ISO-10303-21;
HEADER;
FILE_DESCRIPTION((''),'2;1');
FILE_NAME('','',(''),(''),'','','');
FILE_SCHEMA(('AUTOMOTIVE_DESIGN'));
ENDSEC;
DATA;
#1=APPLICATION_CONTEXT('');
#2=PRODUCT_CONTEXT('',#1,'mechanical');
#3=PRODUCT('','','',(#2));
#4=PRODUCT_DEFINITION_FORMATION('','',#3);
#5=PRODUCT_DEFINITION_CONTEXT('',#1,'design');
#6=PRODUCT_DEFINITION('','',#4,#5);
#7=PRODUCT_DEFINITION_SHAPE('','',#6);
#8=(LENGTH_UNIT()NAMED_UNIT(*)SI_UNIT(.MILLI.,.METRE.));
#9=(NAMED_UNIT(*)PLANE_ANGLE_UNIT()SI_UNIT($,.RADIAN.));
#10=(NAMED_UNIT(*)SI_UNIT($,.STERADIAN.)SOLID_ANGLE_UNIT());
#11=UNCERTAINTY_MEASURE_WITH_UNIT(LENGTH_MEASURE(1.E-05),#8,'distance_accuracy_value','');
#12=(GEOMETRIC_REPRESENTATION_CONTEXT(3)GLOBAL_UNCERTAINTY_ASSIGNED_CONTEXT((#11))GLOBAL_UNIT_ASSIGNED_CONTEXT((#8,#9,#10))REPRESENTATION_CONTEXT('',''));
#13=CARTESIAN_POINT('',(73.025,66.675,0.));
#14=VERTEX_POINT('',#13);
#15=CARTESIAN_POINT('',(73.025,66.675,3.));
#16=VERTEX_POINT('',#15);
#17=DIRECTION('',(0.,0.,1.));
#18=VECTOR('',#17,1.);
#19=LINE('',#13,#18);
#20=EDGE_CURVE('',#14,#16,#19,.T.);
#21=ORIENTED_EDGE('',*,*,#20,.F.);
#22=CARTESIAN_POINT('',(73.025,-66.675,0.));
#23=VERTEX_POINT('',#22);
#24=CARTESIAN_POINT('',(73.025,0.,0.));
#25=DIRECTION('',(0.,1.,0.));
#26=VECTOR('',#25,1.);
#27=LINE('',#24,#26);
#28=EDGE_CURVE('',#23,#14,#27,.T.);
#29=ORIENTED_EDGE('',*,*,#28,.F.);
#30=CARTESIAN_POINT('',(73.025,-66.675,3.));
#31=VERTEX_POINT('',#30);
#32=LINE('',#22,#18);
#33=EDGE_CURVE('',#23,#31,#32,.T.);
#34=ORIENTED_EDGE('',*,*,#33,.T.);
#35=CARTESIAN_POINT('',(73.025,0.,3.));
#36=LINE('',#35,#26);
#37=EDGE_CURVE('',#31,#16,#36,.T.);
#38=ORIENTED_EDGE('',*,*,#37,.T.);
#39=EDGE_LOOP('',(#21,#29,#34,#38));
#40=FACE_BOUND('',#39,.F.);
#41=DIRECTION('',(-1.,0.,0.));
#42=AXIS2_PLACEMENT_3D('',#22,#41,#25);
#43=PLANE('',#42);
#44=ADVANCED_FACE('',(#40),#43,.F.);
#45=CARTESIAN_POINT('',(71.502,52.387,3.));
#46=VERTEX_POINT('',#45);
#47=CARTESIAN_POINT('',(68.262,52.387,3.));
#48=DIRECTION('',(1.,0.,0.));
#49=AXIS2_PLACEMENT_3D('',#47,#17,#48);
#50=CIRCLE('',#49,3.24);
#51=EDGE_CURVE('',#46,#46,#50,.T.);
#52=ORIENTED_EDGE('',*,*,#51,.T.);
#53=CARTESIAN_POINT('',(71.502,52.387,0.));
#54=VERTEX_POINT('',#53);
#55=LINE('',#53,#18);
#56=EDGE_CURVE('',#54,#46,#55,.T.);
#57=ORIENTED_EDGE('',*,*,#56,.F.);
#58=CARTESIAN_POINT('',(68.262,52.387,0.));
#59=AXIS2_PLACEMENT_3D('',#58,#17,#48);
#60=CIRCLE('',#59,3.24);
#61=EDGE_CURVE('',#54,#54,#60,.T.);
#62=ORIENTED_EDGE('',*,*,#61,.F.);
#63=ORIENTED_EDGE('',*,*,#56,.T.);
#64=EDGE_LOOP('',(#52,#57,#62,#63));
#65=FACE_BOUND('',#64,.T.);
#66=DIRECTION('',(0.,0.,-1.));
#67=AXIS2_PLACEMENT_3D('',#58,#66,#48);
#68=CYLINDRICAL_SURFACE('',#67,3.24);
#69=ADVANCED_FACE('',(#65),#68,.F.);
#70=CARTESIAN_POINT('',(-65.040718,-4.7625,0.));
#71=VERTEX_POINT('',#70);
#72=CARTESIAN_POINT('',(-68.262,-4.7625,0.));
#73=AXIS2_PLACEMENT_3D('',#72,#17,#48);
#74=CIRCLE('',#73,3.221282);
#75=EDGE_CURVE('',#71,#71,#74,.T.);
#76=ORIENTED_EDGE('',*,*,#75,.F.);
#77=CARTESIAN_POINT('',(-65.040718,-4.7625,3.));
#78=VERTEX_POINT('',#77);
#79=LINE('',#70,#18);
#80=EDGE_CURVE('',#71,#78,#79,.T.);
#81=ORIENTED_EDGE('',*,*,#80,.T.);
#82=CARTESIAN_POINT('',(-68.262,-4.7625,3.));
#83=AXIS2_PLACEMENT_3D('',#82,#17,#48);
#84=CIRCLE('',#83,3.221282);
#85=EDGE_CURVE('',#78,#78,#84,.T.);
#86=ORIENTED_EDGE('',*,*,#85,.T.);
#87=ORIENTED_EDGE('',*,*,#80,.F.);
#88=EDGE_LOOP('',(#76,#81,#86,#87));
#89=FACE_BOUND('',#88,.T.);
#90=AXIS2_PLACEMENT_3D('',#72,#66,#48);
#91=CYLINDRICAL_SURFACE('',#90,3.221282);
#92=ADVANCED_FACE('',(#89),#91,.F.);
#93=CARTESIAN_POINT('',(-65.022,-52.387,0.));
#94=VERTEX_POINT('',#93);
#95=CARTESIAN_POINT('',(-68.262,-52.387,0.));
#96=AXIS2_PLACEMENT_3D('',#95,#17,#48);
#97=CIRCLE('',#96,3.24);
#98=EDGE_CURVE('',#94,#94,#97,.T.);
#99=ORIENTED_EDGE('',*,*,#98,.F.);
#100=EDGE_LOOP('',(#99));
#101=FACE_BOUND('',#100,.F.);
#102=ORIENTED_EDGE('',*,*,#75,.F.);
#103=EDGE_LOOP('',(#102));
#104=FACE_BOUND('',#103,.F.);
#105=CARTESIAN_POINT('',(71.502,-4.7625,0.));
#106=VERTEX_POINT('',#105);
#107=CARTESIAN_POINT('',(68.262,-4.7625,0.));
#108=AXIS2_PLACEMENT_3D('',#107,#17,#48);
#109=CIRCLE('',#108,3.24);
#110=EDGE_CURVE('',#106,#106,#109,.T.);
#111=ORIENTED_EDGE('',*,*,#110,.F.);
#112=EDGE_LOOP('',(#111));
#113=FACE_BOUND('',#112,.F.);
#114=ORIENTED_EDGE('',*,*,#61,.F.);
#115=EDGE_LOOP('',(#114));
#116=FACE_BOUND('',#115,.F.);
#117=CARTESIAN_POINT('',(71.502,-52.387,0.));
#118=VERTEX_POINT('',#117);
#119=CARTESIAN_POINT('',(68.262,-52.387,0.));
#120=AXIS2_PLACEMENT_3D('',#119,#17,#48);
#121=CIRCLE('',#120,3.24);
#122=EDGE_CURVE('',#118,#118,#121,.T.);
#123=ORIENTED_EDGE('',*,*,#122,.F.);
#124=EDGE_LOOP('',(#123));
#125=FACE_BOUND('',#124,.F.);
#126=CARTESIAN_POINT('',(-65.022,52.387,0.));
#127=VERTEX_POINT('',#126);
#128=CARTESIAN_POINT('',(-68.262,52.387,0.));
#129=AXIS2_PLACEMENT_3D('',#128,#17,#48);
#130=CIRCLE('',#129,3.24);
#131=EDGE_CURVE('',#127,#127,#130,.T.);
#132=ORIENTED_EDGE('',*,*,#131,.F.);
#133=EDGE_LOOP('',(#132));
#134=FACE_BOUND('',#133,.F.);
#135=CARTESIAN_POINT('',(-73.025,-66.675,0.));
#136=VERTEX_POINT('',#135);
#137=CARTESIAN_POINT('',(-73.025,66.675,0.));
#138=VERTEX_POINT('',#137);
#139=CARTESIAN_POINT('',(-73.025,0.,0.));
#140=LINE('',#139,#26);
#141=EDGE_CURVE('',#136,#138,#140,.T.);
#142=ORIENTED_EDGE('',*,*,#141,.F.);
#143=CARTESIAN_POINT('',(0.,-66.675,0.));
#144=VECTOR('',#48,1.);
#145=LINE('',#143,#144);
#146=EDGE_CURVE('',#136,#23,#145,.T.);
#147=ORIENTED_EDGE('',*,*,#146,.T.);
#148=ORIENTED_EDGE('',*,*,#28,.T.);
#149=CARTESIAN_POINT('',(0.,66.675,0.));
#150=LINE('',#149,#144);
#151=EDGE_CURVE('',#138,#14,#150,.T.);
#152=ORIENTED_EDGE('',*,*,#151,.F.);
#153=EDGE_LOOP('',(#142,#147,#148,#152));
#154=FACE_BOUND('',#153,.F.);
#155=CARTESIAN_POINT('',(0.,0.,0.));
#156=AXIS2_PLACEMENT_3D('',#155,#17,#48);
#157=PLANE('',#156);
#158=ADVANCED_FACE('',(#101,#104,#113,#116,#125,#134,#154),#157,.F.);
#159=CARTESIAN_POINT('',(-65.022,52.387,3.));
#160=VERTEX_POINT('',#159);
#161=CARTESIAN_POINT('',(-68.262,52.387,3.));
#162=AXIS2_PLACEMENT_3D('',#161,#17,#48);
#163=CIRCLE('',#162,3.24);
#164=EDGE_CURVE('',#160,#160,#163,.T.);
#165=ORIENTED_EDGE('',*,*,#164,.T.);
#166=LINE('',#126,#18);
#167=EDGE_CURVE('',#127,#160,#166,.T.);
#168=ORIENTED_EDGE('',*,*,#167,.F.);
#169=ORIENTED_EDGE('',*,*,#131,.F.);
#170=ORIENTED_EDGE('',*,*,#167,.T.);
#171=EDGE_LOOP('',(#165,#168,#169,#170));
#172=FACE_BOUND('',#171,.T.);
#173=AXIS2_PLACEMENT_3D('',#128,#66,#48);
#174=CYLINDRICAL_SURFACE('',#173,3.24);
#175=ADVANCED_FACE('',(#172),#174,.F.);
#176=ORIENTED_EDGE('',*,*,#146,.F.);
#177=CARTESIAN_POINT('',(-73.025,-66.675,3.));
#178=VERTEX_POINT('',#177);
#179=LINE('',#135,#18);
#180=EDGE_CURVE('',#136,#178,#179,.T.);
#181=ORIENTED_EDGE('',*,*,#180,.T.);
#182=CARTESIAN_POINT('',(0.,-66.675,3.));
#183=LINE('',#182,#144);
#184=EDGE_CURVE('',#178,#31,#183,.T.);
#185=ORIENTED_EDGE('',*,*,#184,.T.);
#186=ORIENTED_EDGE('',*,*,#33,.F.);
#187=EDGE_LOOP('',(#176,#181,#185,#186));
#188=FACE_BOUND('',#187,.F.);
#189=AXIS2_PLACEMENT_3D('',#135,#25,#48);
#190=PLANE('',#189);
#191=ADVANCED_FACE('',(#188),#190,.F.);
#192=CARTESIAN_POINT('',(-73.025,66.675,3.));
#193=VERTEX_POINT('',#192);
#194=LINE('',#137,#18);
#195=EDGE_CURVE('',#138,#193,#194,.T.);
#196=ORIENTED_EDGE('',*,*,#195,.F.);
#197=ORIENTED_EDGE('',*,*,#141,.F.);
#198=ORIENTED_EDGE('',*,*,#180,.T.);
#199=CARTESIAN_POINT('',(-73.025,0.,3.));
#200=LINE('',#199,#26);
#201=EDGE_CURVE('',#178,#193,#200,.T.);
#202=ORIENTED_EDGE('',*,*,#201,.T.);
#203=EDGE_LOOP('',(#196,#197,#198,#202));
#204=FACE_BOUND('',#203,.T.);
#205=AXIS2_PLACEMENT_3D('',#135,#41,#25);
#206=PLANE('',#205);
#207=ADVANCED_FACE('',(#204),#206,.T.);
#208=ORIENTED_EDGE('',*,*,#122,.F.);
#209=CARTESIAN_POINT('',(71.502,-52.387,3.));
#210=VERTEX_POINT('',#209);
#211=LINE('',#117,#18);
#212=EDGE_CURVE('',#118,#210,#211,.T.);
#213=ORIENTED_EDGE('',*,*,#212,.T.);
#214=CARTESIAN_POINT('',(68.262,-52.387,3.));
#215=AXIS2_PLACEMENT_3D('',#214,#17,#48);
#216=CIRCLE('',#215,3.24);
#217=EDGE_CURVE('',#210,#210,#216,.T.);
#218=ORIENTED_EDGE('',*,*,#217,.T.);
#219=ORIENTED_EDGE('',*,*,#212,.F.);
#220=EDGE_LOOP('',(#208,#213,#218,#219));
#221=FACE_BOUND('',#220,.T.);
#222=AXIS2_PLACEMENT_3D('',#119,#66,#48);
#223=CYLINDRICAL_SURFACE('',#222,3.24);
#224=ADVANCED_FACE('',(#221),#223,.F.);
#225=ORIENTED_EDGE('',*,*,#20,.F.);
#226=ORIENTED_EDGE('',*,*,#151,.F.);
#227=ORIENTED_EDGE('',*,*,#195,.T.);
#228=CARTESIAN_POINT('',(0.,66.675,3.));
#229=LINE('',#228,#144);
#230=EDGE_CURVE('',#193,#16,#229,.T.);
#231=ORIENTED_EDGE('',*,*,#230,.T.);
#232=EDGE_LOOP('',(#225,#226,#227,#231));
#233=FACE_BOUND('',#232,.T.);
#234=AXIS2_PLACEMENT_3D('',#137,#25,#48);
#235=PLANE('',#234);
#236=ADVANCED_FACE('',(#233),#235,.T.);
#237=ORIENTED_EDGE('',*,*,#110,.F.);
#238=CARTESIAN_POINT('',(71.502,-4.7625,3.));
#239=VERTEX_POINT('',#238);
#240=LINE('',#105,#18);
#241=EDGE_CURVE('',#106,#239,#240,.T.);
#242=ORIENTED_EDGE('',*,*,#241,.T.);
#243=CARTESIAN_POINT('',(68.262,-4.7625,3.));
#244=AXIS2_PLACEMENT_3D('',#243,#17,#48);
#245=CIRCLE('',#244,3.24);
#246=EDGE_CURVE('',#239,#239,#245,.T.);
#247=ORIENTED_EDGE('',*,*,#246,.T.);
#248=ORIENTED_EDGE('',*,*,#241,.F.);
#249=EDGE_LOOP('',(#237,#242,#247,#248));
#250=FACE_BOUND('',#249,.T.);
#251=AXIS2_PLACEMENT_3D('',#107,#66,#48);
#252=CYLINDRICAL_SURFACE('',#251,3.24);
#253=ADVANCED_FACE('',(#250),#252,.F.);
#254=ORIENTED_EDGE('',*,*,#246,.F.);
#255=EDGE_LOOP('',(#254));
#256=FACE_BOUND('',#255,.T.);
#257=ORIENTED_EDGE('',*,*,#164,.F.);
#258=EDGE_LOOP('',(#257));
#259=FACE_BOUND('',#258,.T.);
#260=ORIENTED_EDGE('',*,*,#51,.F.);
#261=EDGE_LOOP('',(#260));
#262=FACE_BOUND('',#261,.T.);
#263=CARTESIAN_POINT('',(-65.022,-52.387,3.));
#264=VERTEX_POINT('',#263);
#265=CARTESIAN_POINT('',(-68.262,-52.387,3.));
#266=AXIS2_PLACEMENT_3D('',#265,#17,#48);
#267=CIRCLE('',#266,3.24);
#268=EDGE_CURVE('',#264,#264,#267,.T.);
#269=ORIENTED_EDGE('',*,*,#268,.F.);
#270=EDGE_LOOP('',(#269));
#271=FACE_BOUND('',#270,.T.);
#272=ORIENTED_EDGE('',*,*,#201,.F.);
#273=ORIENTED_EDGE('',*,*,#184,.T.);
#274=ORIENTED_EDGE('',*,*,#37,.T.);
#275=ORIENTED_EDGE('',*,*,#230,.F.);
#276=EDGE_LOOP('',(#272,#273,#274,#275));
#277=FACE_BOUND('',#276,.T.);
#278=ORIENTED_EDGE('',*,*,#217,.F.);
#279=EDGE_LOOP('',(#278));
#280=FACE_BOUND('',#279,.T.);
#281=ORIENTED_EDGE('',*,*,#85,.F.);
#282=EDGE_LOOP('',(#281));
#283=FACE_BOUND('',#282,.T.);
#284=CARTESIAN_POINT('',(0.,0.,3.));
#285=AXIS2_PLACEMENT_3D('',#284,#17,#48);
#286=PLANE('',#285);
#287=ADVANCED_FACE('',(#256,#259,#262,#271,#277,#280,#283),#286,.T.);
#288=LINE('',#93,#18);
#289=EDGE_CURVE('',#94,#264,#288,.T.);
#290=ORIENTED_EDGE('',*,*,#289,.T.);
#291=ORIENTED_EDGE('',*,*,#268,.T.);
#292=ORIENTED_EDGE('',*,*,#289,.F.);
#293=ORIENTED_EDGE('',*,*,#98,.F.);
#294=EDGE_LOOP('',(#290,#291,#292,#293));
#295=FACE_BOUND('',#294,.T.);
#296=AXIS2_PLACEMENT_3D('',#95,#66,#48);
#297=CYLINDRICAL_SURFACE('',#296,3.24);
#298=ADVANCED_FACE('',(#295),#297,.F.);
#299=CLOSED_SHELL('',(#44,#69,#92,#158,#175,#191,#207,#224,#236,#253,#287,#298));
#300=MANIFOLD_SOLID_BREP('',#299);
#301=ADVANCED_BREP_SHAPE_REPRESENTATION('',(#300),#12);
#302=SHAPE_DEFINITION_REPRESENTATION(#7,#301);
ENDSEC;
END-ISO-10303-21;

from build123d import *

# Parameters (mm, degrees)
F0_W     = 146.05
F0_H     = 133.35
F0_R     = 3.24
F0_R_2   = 3.221282
F1_DEPTH = 3


with BuildPart() as f1:
    # F0 (on Top) → F1 (new body)
    with BuildSketch(Plane.XY):
        Rectangle(F0_W, F0_H)
        with Locations((-68.262, -52.387)):
            Circle(F0_R, mode=Mode.SUBTRACT)
        with Locations((-68.262, -4.7625)):
            Circle(F0_R_2, mode=Mode.SUBTRACT)
        with Locations((68.262, -52.387)):
            Circle(F0_R, mode=Mode.SUBTRACT)
        with Locations((68.262, -4.7625)):
            Circle(F0_R, mode=Mode.SUBTRACT)
        with Locations((-68.262, 52.387)):
            Circle(F0_R, mode=Mode.SUBTRACT)
        with Locations((68.262, 52.387)):
            Circle(F0_R, mode=Mode.SUBTRACT)
    extrude(amount=F1_DEPTH)


solid = f1.part
